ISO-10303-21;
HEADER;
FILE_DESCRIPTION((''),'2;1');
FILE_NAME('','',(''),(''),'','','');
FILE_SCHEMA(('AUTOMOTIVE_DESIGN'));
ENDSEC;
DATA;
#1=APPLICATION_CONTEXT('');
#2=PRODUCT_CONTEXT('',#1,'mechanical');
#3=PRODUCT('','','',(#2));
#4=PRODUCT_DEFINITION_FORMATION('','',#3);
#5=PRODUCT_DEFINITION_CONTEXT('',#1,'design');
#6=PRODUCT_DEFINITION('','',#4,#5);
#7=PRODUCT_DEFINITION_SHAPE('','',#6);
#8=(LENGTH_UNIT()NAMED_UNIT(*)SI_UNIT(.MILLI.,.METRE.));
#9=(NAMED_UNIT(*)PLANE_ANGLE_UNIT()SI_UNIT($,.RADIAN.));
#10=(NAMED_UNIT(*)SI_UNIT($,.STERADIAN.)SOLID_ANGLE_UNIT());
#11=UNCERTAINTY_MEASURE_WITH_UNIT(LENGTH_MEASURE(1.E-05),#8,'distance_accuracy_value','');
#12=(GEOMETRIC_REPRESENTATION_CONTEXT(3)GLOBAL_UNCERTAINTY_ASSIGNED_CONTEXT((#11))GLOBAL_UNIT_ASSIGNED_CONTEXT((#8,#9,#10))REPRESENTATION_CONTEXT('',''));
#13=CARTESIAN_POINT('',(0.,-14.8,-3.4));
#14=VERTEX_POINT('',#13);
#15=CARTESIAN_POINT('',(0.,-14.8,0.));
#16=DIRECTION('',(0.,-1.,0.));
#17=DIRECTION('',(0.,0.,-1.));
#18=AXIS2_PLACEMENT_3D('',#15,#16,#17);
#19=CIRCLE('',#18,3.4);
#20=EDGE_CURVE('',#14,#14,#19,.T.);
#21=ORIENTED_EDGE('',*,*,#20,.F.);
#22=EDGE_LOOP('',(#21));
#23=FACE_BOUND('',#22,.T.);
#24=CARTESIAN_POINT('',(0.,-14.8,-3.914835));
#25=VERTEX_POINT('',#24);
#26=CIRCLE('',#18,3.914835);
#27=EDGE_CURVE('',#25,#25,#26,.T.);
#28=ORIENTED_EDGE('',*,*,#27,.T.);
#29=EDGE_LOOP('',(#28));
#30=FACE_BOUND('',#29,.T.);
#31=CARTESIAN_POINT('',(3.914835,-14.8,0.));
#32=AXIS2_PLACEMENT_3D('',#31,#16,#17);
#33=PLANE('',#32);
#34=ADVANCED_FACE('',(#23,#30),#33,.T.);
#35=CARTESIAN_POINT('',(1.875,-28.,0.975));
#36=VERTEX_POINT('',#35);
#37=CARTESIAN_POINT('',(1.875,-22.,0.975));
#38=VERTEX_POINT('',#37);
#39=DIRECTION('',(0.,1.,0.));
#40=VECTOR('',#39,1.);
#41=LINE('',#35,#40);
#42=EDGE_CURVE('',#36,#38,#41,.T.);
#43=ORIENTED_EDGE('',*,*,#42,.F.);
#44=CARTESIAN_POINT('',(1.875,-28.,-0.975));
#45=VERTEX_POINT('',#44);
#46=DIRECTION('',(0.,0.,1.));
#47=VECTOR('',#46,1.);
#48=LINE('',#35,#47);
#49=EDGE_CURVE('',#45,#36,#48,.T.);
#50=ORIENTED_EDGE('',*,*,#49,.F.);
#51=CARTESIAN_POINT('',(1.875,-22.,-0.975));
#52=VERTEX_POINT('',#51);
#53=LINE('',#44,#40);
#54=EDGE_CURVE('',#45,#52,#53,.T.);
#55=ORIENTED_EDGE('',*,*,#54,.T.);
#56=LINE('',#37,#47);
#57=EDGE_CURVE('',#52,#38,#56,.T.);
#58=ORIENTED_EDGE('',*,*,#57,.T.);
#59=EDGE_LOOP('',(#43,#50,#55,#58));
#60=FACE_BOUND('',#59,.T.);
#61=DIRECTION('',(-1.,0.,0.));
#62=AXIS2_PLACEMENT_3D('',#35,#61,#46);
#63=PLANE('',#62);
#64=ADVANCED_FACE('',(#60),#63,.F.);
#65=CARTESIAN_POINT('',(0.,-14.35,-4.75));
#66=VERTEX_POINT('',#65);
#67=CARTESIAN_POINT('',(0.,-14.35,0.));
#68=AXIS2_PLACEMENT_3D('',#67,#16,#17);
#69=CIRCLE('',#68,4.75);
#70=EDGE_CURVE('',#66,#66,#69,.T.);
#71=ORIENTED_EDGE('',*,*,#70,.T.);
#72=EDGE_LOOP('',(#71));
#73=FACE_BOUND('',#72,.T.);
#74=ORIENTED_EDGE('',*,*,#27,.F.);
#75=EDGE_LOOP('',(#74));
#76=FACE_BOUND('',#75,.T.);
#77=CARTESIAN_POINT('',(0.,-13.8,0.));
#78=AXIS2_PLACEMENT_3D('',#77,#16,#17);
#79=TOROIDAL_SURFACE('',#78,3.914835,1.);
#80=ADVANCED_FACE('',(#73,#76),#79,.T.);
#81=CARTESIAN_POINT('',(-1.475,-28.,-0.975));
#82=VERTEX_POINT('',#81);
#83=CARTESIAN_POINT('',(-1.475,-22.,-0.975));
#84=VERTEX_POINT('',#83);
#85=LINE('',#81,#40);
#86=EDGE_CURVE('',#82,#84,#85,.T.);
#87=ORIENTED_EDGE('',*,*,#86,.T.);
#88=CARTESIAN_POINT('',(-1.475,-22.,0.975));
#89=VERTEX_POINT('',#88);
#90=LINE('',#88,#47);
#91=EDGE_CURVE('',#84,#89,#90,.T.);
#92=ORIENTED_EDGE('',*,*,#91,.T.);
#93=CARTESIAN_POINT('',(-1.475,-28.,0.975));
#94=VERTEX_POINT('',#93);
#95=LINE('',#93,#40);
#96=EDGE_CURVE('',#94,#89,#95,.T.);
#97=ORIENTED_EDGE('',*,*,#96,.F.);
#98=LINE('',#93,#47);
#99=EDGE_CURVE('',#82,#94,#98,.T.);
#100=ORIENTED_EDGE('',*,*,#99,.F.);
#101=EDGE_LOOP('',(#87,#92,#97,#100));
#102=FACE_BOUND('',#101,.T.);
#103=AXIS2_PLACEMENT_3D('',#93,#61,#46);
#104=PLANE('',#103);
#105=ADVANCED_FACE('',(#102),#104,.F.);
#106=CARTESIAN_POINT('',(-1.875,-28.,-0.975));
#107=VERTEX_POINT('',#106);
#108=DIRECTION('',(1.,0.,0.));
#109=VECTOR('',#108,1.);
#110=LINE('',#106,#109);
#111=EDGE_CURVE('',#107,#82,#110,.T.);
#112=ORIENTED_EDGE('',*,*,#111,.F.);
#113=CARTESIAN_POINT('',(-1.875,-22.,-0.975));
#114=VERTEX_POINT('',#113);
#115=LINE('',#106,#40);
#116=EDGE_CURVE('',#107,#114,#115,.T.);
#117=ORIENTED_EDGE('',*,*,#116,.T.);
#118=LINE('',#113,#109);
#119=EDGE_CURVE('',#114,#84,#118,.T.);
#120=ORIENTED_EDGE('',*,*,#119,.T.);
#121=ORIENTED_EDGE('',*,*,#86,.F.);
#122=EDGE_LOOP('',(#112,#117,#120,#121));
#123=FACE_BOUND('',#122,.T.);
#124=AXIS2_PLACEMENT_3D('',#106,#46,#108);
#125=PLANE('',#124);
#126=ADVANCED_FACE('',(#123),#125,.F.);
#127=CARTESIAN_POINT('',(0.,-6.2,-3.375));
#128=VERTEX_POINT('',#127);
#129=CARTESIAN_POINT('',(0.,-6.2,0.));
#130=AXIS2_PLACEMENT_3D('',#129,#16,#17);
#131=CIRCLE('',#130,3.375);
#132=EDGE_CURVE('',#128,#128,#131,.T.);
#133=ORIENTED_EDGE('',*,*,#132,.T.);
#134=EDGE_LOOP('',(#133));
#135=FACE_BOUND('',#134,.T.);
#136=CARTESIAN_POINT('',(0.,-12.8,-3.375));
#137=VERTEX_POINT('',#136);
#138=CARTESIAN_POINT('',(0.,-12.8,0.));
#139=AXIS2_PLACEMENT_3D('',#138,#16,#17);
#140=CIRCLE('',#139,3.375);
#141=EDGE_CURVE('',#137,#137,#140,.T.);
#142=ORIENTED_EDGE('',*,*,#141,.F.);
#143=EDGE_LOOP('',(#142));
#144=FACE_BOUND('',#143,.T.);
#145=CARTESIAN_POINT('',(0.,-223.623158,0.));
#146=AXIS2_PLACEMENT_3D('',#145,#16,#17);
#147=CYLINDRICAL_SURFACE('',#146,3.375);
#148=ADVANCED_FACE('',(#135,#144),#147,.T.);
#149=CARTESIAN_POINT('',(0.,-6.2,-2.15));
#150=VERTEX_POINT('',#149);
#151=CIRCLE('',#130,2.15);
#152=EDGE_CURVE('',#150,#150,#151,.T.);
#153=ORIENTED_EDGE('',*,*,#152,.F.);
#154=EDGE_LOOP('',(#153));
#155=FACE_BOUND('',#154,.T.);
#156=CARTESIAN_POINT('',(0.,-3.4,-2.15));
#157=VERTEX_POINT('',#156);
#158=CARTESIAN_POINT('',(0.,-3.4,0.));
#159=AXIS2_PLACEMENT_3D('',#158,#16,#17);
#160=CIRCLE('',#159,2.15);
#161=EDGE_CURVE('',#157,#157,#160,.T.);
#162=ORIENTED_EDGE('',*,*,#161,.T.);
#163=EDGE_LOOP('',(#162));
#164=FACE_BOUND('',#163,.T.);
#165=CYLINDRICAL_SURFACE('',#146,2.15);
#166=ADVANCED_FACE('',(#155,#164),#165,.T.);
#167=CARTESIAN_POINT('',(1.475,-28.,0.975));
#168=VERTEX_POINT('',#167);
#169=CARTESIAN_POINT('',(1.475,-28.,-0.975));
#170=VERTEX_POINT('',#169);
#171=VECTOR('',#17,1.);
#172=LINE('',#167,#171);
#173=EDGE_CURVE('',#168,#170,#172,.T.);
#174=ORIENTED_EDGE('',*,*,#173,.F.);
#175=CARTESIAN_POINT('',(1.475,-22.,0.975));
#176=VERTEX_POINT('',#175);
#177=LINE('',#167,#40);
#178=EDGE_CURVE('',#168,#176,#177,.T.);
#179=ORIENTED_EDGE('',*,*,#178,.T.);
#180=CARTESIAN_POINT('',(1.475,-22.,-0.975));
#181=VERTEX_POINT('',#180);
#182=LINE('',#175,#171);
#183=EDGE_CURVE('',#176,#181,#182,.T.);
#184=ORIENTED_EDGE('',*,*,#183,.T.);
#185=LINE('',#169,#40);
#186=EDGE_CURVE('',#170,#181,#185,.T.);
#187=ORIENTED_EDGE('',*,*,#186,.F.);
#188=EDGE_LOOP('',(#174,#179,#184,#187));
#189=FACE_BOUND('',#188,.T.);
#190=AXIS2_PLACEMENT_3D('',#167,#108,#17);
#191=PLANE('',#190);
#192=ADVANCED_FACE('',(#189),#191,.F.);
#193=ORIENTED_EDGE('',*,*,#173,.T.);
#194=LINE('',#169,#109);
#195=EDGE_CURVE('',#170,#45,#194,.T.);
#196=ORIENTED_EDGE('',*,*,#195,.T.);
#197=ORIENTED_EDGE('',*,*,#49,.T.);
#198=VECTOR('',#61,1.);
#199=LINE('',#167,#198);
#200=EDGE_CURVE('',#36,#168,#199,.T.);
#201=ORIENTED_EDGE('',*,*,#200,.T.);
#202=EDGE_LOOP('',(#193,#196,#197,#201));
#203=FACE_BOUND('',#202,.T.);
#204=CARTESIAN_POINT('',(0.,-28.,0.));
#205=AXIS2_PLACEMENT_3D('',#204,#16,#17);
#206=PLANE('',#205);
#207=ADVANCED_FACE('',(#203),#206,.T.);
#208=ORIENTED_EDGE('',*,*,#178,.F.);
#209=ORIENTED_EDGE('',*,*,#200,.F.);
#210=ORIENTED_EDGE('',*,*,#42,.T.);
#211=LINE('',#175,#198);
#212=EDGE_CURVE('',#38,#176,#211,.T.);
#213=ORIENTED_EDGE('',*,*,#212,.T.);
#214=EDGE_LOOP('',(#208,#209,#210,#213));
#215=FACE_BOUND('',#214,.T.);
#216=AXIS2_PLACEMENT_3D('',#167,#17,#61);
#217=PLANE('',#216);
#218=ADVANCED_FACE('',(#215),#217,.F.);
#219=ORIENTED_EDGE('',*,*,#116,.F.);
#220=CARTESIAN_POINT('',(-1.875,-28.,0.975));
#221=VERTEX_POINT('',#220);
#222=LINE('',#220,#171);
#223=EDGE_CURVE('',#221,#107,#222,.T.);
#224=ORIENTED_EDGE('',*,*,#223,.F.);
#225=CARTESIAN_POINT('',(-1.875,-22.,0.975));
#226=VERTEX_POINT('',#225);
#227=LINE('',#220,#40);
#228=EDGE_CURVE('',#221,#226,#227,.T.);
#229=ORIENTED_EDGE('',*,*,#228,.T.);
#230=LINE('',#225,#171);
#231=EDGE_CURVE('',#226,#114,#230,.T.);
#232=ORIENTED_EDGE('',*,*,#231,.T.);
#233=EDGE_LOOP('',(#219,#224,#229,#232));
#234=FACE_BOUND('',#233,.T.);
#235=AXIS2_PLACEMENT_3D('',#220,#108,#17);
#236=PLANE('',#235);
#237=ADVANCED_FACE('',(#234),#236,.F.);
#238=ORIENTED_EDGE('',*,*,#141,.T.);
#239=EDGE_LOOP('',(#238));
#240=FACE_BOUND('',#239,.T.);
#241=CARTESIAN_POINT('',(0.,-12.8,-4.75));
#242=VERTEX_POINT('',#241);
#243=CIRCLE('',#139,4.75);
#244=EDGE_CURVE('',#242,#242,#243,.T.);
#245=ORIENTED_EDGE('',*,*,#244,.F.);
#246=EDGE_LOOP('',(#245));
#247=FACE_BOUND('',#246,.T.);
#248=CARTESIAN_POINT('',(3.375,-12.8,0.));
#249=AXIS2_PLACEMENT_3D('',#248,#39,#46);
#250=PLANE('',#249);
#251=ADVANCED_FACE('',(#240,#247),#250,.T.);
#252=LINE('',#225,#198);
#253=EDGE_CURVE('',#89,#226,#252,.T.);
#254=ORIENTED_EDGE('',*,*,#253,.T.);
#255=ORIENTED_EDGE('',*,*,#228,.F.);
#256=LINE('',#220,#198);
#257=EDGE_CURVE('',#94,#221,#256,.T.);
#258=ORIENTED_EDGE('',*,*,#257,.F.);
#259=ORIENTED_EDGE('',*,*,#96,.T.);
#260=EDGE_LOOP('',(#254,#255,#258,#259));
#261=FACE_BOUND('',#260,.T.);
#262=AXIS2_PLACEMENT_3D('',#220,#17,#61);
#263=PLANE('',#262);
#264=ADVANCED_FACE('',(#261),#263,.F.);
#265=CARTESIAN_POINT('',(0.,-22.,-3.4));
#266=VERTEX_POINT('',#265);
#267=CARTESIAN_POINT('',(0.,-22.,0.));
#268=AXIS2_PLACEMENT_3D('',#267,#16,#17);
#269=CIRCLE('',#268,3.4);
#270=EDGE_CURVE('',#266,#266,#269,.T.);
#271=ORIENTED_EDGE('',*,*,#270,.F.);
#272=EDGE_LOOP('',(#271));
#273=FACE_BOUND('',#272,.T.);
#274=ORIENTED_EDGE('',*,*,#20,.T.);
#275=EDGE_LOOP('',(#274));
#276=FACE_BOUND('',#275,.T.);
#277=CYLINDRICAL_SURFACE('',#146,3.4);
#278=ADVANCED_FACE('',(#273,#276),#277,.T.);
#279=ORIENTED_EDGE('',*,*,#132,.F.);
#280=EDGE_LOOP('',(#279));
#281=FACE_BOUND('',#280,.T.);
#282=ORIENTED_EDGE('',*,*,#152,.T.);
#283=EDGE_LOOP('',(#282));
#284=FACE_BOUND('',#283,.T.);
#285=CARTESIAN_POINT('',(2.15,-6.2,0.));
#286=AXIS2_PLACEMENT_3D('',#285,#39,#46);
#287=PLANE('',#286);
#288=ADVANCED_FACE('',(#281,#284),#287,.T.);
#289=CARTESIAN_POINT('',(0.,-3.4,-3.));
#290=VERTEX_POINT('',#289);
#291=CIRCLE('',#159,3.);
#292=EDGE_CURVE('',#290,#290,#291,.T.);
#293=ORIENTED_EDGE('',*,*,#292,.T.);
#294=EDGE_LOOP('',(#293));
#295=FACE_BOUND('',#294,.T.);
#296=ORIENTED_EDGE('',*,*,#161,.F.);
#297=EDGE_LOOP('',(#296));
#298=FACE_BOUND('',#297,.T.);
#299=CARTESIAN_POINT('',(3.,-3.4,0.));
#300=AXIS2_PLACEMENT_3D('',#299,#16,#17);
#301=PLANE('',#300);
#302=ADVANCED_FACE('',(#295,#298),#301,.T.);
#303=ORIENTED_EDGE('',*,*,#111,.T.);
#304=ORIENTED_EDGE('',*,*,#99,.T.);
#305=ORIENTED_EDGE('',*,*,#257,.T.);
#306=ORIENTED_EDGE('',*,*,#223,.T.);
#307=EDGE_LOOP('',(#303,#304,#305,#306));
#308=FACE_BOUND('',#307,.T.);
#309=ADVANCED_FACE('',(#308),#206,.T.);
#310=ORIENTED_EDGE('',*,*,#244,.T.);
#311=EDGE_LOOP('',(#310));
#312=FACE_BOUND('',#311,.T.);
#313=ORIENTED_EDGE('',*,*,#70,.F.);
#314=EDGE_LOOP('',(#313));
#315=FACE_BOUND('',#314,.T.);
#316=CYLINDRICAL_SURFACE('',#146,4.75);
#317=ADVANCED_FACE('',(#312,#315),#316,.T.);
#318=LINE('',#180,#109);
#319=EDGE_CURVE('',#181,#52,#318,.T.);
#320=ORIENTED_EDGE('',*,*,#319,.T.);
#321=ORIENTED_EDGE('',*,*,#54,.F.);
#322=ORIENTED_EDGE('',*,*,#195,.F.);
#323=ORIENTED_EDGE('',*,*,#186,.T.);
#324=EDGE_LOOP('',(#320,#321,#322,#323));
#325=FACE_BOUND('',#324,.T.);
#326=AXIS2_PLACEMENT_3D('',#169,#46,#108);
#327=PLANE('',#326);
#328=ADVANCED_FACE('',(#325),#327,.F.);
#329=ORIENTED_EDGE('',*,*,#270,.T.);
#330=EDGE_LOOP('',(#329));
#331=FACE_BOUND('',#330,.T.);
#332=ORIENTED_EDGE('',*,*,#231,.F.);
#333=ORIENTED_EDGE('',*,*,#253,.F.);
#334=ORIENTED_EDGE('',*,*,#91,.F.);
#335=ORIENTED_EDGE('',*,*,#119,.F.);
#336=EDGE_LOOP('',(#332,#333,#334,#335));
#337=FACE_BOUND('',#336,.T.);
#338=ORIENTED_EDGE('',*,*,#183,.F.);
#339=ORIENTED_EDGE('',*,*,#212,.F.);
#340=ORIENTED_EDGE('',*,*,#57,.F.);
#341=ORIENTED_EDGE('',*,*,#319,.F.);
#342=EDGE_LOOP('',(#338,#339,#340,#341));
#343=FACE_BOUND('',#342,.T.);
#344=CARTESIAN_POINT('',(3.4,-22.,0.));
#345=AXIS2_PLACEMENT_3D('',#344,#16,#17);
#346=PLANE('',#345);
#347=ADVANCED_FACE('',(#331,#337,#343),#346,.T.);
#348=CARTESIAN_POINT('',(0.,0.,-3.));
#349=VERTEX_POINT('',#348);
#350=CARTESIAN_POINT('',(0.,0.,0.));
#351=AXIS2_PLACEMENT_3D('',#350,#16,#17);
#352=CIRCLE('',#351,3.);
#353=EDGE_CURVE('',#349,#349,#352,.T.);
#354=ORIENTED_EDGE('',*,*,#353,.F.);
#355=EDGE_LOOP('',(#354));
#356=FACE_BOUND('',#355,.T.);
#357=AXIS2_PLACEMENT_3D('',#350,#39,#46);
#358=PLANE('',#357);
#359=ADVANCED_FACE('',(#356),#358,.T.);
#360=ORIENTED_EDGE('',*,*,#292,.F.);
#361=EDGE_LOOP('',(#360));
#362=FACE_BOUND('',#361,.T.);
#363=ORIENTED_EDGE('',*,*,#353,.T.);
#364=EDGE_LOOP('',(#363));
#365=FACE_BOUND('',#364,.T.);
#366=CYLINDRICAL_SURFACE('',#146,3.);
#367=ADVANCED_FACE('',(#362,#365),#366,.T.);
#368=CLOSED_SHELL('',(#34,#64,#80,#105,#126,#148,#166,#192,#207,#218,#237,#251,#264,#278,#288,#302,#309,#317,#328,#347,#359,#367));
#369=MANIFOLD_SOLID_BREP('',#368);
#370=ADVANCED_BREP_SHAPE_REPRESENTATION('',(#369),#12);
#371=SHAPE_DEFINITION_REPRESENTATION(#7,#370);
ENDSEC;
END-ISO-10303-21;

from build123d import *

# Parameters (mm, degrees)
SKETCH2_W           = 0.4
SKETCH2_H           = 1.95
BOSS_EXTRUDE1_DEPTH = 6


with BuildPart() as part:
    # Sketch1 → Revolve1 (revolve)
    with BuildSketch(Plane.XY):
        with BuildLine():
            Line((0, 0), (3, 0))
            Line((3, 0), (3, -3.4))
            Line((3, -3.4), (2.15, -3.4))
            Line((2.15, -3.4), (2.15, -6.2))
            Line((2.15, -6.2), (3.375, -6.2))
            Line((3.375, -6.2), (3.375, -12.8))
            Line((3.375, -12.8), (4.75, -12.8))
            Line((4.75, -12.8), (4.75, -14.35))
            ThreePointArc((4.75, -14.35), (4.389176995, -14.680340843), (3.914835346, -14.8))
            Line((3.914835346, -14.8), (3.4, -14.8))
            Line((3.4, -14.8), (3.4, -22))
            Line((3.4, -22), (0, -22))
            Line((0, -22), (0, 0))
        make_face()
    revolve(axis=Axis((0, -223.623157896, 0), (0, 1, 0)))

    # Sketch2 → Boss-Extrude1 (add)
    with BuildSketch(Plane.XZ.offset(22)):
        with Locations((-1.675, 0)):
            Rectangle(SKETCH2_W, SKETCH2_H)
        with Locations((1.675, 0)):
            Rectangle(SKETCH2_W, SKETCH2_H)
    extrude(amount=BOSS_EXTRUDE1_DEPTH)


solid = part.part
